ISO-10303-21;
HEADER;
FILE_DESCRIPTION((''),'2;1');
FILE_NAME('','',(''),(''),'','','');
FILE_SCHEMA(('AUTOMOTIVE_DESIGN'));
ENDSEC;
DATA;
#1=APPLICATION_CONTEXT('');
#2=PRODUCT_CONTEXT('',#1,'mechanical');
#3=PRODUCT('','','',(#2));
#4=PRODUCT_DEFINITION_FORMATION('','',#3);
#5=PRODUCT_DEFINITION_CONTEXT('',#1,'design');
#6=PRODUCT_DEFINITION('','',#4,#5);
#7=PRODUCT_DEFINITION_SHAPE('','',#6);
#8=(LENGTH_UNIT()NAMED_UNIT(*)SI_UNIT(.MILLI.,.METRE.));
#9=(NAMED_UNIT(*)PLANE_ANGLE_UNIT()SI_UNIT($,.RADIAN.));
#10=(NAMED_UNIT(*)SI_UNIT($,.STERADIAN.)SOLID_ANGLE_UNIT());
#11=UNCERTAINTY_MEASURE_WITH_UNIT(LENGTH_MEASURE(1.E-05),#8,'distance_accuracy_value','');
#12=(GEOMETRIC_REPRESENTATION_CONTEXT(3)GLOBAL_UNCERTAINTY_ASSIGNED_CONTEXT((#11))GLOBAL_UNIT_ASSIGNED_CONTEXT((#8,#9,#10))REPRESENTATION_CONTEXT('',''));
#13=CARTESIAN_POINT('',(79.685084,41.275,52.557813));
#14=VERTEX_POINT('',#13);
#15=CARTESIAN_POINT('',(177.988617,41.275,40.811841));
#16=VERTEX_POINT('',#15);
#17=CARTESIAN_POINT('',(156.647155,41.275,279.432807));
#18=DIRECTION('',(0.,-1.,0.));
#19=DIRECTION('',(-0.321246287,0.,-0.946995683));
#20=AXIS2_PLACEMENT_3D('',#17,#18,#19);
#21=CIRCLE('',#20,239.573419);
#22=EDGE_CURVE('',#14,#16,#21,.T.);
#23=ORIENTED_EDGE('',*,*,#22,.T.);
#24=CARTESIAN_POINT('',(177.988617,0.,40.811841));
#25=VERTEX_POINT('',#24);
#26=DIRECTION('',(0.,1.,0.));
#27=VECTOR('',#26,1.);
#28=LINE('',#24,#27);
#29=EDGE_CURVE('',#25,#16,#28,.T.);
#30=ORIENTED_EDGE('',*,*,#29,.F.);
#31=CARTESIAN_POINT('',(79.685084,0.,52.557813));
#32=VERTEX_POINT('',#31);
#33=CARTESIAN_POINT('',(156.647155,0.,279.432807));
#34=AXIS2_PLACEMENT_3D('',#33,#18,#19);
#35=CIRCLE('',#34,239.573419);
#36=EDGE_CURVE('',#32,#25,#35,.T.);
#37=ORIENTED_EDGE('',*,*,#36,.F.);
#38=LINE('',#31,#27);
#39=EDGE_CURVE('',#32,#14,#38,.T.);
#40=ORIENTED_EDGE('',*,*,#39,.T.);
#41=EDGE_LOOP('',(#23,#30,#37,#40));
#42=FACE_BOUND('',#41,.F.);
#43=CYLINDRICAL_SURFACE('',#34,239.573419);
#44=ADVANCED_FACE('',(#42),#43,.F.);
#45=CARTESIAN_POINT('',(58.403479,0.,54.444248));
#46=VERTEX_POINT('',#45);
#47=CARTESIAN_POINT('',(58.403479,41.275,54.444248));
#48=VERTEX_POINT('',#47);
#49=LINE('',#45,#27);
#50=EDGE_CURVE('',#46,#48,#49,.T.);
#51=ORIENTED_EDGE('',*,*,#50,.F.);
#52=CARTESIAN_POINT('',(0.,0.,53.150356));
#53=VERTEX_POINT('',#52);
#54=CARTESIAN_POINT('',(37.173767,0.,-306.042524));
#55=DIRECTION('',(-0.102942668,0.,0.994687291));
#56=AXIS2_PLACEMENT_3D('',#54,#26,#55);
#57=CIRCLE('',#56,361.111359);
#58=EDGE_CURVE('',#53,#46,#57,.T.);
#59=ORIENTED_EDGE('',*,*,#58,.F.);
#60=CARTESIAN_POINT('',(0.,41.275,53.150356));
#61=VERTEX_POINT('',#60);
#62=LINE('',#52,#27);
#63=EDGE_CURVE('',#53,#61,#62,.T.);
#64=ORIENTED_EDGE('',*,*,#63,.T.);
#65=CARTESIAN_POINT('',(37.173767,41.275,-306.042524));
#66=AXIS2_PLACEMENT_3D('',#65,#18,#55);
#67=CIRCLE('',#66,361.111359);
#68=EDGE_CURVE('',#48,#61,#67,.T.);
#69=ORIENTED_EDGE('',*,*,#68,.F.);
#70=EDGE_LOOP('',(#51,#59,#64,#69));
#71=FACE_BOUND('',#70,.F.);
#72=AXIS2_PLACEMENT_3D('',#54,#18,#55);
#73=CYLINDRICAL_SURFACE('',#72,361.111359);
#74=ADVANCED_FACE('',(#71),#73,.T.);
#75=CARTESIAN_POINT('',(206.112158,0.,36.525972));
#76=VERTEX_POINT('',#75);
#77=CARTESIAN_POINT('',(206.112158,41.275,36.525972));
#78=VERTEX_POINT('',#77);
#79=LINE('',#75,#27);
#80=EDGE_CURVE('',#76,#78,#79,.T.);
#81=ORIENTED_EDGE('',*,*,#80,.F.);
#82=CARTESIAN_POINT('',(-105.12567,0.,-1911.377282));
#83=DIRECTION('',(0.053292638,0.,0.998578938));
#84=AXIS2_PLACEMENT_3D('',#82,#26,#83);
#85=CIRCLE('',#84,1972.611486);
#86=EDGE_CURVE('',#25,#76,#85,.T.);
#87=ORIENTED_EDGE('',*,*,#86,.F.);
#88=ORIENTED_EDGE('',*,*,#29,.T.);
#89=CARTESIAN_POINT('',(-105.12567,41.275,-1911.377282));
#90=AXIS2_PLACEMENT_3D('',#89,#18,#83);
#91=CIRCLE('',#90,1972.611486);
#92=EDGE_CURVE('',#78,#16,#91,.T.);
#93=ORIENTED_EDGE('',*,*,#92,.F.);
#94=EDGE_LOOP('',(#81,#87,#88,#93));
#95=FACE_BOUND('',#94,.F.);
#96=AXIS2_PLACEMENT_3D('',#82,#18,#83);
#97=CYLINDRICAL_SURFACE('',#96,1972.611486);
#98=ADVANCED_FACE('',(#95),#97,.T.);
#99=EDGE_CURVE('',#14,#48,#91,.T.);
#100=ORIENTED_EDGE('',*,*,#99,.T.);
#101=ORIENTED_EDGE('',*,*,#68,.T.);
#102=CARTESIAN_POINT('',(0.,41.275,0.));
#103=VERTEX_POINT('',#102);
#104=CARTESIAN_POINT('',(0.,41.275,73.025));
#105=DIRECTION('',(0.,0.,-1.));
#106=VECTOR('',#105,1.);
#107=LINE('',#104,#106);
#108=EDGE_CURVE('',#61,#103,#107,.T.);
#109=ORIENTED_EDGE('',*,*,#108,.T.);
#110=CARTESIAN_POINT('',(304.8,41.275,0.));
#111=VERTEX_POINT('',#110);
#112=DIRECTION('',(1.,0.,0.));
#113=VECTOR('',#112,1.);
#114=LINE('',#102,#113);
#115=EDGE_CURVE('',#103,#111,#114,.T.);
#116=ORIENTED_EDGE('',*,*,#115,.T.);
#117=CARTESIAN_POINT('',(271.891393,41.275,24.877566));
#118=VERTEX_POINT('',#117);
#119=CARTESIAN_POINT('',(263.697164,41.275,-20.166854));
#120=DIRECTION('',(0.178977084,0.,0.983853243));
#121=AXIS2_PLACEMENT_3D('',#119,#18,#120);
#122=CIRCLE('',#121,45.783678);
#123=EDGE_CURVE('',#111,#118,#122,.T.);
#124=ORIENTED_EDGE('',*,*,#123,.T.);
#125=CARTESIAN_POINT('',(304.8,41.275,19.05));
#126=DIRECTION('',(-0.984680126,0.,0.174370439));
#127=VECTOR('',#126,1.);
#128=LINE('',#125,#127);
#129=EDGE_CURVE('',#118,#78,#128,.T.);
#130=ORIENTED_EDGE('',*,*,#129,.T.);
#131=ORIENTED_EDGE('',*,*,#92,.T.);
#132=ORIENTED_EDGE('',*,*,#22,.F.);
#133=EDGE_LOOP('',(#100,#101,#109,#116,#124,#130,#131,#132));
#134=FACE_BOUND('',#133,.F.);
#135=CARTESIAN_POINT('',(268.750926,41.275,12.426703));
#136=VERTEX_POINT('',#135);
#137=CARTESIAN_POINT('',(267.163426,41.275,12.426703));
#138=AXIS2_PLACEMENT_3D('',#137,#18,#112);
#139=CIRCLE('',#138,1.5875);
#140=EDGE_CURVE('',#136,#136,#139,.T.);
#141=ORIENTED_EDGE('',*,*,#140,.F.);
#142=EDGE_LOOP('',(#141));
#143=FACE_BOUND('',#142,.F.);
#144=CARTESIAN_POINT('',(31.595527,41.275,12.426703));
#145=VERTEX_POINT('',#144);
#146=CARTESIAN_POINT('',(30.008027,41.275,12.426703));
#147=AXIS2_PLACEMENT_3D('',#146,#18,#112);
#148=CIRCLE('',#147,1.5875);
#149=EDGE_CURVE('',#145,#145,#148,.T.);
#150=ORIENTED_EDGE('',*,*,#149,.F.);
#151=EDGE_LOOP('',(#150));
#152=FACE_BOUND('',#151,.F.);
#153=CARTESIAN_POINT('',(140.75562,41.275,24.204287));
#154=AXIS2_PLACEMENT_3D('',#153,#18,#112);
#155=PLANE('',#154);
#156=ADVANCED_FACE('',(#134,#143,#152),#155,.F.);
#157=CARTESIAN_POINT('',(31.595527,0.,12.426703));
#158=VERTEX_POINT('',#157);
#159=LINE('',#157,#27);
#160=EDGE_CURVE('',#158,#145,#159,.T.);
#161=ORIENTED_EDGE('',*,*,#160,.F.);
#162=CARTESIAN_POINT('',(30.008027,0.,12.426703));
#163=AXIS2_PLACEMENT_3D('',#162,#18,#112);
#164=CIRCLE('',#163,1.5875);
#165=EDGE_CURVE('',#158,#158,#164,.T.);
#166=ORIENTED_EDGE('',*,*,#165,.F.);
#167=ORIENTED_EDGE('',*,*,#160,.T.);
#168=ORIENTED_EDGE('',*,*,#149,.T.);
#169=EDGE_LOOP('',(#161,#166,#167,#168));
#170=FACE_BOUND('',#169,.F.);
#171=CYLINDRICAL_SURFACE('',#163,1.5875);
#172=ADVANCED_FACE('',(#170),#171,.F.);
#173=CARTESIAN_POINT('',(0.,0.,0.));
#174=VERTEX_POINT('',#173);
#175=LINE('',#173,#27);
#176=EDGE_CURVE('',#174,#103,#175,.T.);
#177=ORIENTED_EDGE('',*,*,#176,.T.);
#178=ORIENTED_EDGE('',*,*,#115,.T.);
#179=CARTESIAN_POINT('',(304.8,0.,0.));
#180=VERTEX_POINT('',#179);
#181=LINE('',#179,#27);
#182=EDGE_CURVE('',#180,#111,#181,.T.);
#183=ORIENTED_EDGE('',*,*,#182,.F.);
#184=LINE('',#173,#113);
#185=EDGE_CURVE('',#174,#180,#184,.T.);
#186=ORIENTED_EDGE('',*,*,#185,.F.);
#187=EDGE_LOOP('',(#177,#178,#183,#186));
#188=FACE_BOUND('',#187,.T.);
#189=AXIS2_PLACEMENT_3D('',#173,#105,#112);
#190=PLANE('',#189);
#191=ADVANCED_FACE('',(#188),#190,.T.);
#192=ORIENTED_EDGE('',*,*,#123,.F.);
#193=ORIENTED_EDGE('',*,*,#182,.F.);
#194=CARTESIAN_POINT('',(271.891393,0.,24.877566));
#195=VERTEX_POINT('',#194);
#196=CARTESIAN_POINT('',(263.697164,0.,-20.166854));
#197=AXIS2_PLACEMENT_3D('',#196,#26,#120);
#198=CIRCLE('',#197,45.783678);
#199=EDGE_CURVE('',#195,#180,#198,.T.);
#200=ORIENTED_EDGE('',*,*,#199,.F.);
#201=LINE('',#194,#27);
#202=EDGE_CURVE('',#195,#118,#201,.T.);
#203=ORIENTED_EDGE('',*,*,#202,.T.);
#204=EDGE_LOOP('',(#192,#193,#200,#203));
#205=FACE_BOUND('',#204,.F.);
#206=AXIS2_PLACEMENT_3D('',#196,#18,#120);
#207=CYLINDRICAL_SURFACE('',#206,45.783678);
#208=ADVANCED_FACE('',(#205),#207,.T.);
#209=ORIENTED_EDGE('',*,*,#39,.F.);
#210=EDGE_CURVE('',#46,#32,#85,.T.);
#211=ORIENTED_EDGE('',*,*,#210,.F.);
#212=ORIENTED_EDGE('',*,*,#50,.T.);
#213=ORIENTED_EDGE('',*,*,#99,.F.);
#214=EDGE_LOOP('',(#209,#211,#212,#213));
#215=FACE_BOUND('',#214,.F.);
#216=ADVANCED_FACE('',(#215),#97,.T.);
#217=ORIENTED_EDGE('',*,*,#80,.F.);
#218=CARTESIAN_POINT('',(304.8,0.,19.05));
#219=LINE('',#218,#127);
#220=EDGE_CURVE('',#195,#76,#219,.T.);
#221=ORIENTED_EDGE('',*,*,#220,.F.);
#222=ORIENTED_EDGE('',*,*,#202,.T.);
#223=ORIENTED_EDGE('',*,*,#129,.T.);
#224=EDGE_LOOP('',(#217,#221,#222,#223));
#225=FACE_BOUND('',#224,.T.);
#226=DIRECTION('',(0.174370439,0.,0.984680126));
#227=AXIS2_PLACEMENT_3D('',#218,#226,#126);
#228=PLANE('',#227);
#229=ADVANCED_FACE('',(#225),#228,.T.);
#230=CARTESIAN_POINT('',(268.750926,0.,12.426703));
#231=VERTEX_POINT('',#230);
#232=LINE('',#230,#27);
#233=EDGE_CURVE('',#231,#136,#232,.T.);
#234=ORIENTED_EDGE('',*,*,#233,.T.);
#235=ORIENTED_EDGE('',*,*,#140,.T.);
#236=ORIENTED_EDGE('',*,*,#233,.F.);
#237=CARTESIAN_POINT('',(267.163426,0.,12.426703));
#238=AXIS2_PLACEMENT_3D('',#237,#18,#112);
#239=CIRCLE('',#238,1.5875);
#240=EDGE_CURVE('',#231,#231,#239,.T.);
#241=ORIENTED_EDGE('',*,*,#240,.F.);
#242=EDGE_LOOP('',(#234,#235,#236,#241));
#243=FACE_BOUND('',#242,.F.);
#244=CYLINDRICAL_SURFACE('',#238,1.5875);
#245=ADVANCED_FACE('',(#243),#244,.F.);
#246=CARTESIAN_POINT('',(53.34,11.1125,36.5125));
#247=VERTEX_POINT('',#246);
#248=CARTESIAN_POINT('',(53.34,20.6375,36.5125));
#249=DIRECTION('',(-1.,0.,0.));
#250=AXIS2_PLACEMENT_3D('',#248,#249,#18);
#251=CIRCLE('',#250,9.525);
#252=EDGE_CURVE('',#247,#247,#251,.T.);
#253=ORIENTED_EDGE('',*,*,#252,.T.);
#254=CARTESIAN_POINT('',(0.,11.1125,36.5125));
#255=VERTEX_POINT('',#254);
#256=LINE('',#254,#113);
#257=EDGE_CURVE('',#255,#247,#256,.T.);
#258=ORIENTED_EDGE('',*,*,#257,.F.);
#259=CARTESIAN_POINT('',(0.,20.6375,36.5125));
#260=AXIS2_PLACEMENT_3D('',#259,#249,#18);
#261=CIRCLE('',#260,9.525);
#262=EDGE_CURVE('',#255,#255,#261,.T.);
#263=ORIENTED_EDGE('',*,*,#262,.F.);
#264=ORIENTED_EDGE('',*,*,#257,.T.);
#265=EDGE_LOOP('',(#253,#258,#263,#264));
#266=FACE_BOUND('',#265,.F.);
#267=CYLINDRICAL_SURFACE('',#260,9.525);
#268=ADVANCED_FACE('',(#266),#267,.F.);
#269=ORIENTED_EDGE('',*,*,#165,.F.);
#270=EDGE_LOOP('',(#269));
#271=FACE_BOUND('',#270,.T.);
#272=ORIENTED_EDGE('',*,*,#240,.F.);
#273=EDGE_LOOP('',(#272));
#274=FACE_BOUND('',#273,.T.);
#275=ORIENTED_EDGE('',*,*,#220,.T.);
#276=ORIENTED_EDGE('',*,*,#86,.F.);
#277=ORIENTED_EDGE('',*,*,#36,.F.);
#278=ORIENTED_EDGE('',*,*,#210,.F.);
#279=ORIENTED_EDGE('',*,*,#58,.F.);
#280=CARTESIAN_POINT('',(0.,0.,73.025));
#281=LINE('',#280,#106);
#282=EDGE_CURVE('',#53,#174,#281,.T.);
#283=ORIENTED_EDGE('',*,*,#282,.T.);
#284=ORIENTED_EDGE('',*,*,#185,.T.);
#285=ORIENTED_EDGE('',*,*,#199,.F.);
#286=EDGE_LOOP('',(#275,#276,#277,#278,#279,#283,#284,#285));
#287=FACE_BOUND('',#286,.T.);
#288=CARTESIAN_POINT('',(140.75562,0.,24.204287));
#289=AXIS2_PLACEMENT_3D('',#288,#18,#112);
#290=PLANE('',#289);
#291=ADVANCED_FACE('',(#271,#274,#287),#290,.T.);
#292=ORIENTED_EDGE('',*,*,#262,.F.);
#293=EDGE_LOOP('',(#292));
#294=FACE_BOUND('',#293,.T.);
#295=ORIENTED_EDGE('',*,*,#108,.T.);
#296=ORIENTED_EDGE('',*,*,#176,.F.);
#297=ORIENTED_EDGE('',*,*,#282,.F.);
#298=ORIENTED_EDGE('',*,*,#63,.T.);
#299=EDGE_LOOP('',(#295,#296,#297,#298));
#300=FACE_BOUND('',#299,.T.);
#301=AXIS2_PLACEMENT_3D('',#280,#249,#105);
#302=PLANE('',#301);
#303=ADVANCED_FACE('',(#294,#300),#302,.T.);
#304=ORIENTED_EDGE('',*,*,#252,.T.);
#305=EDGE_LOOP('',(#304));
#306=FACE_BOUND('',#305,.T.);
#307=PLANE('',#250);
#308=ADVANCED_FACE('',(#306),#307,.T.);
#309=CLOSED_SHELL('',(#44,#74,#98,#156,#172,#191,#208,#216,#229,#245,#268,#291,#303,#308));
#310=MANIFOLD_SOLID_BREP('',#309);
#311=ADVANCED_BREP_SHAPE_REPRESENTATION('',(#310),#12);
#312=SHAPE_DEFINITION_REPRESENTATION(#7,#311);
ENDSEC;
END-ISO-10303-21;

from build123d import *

# Parameters (mm, degrees)
F1_DEPTH = 41.275
F2_R     = 9.525
F3_DEPTH = 53.34
F5_DEPTH = 41.656
F7_DEPTH = 42.164
F8_R     = 1.5875
F9_DEPTH = 41.656


with BuildPart() as f1:
    # F0 (on Front) → F1 (new body)
    with BuildSketch(Plane.XZ):
        Polygon((304.8, 0), (304.8, 19.05), (0, 73.025), (0, 0), align=None)
    extrude(amount=-F1_DEPTH)

    # F2 (on face) → F3 (cut)
    with BuildSketch(Plane(origin=(0, 0, 0), x_dir=(0, -1, 0), z_dir=(-1, 0, 0))):
        with Locations((-20.6375, 36.5125)):
            Circle(F2_R)
    extrude(amount=-F3_DEPTH, mode=Mode.SUBTRACT)

    # F4 (on face) → F5 (cut)
    with BuildSketch(Plane.XZ):
        with BuildLine():
            ThreePointArc((0, 58.4309995174), (103.3439877315, 50.1875204766), (206.112158097, 36.5259720036))
            Line((206.112158097, 36.5259720036), (0, 73.025))
            Line((0, 73.025), (0, 58.4309995174))
        make_face()
        with BuildLine():
            Line((304.8, 19.05), (271.8913928646, 24.8775658469))
            ThreePointArc((271.8913928646, 24.8775658469), (291.3064644297, 16.355353839), (304.8, 0))
            Line((304.8, 0), (304.8, 19.05))
        make_face()
    extrude(amount=-F5_DEPTH, mode=Mode.SUBTRACT)

    # F6 (on face) → F7 (cut)
    with BuildSketch(Plane.XZ):
        with BuildLine():
            ThreePointArc((0, 53.1503558159), (29.1755322562, 54.9802482596), (58.4034793796, 54.4442484998))
            ThreePointArc((58.4034793796, 54.4442484998), (29.216529401, 56.6542842892), (0, 58.4309995174))
            Line((0, 58.4309995174), (0, 53.1503558159))
        make_face()
        with BuildLine():
            ThreePointArc((177.9886173747, 40.8118412298), (128.9105515624, 47.3016400104), (79.6850837991, 52.5578131014))
            ThreePointArc((79.6850837991, 52.5578131014), (128.2234853746, 41.5514956376), (177.9886173747, 40.8118412298))
        make_face()
    extrude(amount=-F7_DEPTH, mode=Mode.SUBTRACT)

    # F8 (on face) → F9 (cut)
    with BuildSketch(Plane.XZ):
        with Locations((30.00802733, 12.426703237)):
            Circle(F8_R)
        with Locations((267.163425684, 12.426703237)):
            Circle(F8_R)
    extrude(amount=-F9_DEPTH, mode=Mode.SUBTRACT)


solid = f1.part
